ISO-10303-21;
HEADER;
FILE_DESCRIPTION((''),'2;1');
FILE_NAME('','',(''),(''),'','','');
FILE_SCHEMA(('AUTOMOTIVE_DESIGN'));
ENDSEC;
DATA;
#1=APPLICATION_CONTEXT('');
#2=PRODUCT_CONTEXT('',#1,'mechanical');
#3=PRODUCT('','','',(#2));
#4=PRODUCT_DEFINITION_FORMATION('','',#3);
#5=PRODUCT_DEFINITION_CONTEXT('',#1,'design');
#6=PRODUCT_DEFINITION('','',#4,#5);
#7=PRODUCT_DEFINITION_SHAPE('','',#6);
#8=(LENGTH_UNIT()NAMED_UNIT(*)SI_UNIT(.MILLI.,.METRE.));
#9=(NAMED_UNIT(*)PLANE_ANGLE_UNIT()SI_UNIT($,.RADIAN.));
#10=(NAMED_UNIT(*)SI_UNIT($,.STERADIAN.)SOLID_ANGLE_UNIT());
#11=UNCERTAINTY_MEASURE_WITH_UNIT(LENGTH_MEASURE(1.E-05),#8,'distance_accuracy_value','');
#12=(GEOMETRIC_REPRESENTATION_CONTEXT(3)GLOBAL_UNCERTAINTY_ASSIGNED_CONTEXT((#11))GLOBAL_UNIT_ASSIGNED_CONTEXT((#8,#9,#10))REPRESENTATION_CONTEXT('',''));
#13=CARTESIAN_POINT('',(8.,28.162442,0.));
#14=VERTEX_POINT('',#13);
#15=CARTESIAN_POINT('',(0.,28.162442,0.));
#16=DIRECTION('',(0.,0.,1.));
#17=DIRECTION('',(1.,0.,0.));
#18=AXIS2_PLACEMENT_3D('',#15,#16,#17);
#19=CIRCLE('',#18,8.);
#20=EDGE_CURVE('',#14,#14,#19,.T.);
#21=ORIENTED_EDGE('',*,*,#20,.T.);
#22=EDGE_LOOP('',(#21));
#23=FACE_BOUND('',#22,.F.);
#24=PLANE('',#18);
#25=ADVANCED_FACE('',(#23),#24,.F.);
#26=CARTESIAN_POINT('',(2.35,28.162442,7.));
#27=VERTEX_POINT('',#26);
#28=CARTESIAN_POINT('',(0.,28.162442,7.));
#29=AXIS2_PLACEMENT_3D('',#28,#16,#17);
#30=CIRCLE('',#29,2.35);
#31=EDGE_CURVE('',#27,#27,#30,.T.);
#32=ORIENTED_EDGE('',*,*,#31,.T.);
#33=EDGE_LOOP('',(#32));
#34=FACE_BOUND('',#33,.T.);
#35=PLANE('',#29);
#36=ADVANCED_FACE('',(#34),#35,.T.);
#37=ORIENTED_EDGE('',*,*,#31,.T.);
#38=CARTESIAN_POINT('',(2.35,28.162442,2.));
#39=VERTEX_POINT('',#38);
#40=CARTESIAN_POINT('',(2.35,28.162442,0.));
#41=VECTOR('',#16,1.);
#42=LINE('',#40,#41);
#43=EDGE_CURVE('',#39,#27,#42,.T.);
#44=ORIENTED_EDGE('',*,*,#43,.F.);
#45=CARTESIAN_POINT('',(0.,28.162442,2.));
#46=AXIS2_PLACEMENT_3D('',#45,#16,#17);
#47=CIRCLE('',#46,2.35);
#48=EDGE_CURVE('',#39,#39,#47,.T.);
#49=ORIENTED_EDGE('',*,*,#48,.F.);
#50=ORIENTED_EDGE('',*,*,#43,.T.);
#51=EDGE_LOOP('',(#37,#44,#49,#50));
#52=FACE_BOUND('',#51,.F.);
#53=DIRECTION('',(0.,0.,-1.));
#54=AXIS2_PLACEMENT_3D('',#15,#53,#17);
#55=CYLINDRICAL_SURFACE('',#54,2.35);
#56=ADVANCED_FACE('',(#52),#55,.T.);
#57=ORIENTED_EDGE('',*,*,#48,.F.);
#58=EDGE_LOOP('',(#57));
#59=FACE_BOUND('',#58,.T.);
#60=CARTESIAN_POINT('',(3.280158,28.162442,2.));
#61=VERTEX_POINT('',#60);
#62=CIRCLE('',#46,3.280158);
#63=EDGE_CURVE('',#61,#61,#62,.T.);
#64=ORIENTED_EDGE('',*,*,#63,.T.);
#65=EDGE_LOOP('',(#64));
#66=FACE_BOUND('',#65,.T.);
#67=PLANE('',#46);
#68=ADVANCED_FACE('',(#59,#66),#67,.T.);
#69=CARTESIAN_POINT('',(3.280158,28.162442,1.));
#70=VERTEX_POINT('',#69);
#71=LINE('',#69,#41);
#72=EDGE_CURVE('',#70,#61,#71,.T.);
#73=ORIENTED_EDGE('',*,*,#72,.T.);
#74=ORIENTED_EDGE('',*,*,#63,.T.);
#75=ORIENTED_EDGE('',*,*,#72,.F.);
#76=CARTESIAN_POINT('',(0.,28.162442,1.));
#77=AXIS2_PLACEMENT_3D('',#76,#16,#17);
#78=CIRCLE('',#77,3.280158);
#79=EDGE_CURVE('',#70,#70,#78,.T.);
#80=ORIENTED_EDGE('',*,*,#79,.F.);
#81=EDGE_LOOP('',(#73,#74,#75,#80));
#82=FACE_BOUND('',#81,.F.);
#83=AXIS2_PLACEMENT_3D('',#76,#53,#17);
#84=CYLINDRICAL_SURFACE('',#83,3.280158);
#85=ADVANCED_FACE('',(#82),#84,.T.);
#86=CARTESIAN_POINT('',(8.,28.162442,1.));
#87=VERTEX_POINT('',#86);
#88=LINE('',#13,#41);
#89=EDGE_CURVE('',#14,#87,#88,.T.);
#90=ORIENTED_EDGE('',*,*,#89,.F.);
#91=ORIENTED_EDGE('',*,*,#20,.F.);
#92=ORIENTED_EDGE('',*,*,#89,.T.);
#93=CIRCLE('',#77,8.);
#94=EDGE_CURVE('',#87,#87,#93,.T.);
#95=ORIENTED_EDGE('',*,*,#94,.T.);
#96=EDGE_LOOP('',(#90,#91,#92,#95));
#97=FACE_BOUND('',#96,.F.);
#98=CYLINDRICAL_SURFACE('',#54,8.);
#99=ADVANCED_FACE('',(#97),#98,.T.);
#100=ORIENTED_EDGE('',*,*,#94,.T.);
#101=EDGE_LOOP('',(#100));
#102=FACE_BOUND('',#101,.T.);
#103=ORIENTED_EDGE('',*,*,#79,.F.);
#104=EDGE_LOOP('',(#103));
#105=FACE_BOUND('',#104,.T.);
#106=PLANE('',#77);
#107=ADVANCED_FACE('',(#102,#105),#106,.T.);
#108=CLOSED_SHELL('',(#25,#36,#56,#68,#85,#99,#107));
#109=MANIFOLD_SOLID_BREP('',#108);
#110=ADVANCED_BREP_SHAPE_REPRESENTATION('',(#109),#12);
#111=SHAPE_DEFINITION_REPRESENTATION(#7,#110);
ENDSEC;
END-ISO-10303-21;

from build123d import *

# Parameters (mm, degrees)
F1_R          = 8
F1_R_2        = 2.35
F2_DEPTH      = 1
F3_DEPTH      = 7
F4_DEPTH      = 1.1
F4_DEPTH_BACK = 0.1016
F7_R          = 3.280158
F7_R_2        = 2.35
F8_DEPTH      = 1


with BuildPart() as f2:
    # F1 (on Top) → F2 (new body)
    with BuildSketch(Plane.XY):
        with Locations((0, 28.162442)):
            Circle(F1_R)
        with Locations((0, 28.162442)):
            Circle(F1_R_2, mode=Mode.SUBTRACT)
        with Locations((0, 28.162442)):
            Circle(F1_R_2)
    extrude(amount=F2_DEPTH)

    # F1 (on Top) → F3 (join)
    with BuildSketch(Plane.XY):
        with Locations((0, 28.162442)):
            Circle(F1_R_2)
    extrude(amount=F3_DEPTH)

    # F7 (on face) → F8 (join)
    with BuildSketch(Plane.XY.offset(1)):
        with Locations((0, 28.162442)):
            Circle(F7_R)
        with Locations((0, 28.162442)):
            Circle(F7_R_2, mode=Mode.SUBTRACT)
    extrude(amount=F8_DEPTH)


with BuildPart() as f4:
    # F1 (on Top) → F4 (new body, two sides)
    with BuildSketch(Plane.XY) as f4_sk:
        with Locations((0, 28.162442)):
            Circle(F1_R)
        with Locations((0, 28.162442)):
            Circle(F1_R_2, mode=Mode.SUBTRACT)
        with Locations((0, 28.162442)):
            Circle(F1_R_2)
    extrude(amount=-F4_DEPTH)
    extrude(f4_sk.sketch, amount=-F4_DEPTH_BACK)


with BuildPart() as f4_1:
    # F5: moved
    add(f4.part.moved(Location((-18.7706, 0, 1.0922))))


solid = f2.part
